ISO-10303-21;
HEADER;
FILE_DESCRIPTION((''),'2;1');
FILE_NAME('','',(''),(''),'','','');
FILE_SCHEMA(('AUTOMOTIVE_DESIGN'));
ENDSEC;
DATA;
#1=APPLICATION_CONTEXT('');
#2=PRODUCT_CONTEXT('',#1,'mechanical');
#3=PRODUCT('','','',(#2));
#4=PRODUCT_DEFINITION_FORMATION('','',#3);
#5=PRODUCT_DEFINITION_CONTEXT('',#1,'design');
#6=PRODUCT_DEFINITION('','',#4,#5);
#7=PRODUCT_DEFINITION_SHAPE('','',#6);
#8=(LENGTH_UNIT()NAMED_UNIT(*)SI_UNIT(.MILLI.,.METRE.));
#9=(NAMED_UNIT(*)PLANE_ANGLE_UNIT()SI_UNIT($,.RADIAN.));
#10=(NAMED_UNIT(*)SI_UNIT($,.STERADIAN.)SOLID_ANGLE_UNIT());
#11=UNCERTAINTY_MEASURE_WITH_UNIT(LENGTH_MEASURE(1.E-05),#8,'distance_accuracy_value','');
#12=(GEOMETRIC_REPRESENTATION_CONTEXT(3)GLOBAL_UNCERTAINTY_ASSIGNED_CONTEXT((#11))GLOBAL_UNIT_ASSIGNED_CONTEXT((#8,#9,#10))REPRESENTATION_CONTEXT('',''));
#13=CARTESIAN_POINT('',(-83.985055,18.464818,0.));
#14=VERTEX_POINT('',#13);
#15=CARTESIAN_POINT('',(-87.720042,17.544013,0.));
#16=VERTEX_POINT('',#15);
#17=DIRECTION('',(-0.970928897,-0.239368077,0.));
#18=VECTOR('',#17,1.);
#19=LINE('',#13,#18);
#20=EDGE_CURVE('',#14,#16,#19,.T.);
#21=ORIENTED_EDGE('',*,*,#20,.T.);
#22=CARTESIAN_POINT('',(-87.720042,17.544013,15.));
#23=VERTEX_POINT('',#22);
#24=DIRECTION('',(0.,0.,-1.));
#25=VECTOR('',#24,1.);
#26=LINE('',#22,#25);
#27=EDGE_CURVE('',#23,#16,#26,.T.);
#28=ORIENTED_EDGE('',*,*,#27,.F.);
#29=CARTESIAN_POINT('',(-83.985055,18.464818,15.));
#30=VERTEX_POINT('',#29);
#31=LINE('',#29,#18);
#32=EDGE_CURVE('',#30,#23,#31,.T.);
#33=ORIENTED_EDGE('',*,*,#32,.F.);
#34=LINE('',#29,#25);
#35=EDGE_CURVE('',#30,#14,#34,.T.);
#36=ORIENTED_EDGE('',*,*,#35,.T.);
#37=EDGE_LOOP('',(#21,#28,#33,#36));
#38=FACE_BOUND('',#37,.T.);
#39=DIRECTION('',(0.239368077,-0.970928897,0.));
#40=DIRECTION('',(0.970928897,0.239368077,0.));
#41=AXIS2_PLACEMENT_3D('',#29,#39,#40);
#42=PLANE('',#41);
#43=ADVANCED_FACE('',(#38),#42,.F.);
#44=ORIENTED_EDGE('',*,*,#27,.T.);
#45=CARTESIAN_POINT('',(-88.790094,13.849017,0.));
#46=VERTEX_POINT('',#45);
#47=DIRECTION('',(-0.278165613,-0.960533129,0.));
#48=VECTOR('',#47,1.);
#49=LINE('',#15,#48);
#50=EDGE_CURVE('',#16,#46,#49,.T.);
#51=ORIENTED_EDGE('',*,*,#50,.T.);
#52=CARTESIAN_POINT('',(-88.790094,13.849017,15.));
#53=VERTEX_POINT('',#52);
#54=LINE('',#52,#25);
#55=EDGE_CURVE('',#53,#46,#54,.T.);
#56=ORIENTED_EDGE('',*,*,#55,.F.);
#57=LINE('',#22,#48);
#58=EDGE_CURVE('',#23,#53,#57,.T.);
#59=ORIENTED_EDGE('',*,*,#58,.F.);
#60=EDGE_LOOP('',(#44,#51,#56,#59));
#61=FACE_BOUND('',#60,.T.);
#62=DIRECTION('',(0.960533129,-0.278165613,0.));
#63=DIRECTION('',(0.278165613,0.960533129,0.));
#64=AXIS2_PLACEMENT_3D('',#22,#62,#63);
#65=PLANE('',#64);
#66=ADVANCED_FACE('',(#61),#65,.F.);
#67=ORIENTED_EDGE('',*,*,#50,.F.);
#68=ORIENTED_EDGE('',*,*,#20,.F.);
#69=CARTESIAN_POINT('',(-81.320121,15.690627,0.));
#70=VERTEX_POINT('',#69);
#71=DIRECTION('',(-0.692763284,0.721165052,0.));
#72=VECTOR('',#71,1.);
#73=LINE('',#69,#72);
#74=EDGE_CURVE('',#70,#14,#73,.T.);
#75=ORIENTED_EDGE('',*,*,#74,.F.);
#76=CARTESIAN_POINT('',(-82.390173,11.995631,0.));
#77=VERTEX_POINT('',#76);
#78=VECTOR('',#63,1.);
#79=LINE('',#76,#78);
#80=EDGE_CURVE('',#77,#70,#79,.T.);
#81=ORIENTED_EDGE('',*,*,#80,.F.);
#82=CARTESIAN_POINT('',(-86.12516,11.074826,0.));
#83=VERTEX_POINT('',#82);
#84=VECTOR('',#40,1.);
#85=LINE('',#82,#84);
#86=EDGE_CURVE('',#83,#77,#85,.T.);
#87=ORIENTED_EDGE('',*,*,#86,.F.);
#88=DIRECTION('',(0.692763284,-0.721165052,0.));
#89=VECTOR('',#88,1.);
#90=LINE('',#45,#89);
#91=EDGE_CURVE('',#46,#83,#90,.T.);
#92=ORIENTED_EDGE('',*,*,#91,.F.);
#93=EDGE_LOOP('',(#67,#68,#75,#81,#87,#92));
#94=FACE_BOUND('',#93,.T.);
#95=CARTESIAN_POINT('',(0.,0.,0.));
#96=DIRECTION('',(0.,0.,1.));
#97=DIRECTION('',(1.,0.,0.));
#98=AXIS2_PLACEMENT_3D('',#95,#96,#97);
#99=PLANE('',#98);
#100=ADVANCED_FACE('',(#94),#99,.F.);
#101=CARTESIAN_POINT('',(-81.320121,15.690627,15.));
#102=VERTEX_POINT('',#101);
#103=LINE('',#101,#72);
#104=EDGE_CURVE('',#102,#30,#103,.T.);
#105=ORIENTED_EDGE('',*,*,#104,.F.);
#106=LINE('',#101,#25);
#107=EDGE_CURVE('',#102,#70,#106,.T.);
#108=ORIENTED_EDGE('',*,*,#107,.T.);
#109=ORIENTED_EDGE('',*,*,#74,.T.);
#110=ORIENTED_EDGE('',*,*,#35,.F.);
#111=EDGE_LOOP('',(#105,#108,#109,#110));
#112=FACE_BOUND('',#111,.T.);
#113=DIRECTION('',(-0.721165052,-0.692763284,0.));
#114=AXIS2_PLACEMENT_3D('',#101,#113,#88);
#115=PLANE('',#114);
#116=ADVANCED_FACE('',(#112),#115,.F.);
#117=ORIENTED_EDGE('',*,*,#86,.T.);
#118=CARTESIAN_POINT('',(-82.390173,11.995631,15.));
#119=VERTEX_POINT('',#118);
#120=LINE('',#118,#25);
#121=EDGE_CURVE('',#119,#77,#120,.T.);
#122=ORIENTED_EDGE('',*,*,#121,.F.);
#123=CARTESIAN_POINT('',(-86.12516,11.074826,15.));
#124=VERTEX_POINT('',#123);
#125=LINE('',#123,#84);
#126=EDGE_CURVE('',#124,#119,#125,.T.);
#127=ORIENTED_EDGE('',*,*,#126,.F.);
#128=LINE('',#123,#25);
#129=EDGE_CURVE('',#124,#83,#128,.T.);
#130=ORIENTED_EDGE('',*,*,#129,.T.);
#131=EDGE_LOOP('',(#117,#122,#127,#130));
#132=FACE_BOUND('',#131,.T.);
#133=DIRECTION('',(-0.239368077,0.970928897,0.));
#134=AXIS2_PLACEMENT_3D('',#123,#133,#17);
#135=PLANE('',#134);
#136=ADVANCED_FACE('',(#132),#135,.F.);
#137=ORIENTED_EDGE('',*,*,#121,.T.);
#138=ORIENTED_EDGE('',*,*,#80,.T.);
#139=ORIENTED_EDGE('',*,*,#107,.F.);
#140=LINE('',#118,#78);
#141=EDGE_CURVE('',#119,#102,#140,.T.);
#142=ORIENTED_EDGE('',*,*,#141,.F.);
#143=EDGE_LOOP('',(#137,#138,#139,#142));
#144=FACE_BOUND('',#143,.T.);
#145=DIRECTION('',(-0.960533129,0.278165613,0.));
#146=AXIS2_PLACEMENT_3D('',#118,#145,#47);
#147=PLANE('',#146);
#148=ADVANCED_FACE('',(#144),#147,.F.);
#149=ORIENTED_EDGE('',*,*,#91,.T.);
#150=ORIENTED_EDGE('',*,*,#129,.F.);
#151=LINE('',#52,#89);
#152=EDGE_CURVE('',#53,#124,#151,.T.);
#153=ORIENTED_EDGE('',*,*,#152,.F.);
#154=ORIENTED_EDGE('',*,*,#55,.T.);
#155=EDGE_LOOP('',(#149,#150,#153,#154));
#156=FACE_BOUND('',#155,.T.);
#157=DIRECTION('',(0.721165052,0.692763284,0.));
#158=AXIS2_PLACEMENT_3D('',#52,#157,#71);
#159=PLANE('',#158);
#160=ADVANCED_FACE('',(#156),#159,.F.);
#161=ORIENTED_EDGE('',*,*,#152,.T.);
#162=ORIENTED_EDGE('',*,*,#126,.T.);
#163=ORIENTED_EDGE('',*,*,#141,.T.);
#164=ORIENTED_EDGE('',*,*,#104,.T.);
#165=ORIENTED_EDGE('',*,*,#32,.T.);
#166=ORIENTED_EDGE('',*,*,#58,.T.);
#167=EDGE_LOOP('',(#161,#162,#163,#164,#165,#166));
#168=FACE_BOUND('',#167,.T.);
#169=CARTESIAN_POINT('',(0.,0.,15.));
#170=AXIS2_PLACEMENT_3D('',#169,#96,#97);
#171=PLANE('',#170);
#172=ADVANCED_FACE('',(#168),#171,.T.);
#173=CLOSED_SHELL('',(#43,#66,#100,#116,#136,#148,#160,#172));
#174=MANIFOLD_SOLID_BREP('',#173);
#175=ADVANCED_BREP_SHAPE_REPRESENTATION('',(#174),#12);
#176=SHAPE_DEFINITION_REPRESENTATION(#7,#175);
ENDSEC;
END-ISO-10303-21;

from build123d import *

# Parameters (mm, degrees)
BOSS_EXTRUDE1_DEPTH = 15


with BuildPart() as part:
    # Sketch1 → Boss-Extrude1 (new body)
    with BuildSketch(Plane.XY):
        Polygon((-83.985055254, 18.464818175), (-87.720041989, 17.544012754), (-88.790094471, 13.849016647), (-86.125160216, 11.074825962), (-82.390173481, 11.995631383), (-81.320120999, 15.690627489), align=None)
    extrude(amount=BOSS_EXTRUDE1_DEPTH)


solid = part.part
